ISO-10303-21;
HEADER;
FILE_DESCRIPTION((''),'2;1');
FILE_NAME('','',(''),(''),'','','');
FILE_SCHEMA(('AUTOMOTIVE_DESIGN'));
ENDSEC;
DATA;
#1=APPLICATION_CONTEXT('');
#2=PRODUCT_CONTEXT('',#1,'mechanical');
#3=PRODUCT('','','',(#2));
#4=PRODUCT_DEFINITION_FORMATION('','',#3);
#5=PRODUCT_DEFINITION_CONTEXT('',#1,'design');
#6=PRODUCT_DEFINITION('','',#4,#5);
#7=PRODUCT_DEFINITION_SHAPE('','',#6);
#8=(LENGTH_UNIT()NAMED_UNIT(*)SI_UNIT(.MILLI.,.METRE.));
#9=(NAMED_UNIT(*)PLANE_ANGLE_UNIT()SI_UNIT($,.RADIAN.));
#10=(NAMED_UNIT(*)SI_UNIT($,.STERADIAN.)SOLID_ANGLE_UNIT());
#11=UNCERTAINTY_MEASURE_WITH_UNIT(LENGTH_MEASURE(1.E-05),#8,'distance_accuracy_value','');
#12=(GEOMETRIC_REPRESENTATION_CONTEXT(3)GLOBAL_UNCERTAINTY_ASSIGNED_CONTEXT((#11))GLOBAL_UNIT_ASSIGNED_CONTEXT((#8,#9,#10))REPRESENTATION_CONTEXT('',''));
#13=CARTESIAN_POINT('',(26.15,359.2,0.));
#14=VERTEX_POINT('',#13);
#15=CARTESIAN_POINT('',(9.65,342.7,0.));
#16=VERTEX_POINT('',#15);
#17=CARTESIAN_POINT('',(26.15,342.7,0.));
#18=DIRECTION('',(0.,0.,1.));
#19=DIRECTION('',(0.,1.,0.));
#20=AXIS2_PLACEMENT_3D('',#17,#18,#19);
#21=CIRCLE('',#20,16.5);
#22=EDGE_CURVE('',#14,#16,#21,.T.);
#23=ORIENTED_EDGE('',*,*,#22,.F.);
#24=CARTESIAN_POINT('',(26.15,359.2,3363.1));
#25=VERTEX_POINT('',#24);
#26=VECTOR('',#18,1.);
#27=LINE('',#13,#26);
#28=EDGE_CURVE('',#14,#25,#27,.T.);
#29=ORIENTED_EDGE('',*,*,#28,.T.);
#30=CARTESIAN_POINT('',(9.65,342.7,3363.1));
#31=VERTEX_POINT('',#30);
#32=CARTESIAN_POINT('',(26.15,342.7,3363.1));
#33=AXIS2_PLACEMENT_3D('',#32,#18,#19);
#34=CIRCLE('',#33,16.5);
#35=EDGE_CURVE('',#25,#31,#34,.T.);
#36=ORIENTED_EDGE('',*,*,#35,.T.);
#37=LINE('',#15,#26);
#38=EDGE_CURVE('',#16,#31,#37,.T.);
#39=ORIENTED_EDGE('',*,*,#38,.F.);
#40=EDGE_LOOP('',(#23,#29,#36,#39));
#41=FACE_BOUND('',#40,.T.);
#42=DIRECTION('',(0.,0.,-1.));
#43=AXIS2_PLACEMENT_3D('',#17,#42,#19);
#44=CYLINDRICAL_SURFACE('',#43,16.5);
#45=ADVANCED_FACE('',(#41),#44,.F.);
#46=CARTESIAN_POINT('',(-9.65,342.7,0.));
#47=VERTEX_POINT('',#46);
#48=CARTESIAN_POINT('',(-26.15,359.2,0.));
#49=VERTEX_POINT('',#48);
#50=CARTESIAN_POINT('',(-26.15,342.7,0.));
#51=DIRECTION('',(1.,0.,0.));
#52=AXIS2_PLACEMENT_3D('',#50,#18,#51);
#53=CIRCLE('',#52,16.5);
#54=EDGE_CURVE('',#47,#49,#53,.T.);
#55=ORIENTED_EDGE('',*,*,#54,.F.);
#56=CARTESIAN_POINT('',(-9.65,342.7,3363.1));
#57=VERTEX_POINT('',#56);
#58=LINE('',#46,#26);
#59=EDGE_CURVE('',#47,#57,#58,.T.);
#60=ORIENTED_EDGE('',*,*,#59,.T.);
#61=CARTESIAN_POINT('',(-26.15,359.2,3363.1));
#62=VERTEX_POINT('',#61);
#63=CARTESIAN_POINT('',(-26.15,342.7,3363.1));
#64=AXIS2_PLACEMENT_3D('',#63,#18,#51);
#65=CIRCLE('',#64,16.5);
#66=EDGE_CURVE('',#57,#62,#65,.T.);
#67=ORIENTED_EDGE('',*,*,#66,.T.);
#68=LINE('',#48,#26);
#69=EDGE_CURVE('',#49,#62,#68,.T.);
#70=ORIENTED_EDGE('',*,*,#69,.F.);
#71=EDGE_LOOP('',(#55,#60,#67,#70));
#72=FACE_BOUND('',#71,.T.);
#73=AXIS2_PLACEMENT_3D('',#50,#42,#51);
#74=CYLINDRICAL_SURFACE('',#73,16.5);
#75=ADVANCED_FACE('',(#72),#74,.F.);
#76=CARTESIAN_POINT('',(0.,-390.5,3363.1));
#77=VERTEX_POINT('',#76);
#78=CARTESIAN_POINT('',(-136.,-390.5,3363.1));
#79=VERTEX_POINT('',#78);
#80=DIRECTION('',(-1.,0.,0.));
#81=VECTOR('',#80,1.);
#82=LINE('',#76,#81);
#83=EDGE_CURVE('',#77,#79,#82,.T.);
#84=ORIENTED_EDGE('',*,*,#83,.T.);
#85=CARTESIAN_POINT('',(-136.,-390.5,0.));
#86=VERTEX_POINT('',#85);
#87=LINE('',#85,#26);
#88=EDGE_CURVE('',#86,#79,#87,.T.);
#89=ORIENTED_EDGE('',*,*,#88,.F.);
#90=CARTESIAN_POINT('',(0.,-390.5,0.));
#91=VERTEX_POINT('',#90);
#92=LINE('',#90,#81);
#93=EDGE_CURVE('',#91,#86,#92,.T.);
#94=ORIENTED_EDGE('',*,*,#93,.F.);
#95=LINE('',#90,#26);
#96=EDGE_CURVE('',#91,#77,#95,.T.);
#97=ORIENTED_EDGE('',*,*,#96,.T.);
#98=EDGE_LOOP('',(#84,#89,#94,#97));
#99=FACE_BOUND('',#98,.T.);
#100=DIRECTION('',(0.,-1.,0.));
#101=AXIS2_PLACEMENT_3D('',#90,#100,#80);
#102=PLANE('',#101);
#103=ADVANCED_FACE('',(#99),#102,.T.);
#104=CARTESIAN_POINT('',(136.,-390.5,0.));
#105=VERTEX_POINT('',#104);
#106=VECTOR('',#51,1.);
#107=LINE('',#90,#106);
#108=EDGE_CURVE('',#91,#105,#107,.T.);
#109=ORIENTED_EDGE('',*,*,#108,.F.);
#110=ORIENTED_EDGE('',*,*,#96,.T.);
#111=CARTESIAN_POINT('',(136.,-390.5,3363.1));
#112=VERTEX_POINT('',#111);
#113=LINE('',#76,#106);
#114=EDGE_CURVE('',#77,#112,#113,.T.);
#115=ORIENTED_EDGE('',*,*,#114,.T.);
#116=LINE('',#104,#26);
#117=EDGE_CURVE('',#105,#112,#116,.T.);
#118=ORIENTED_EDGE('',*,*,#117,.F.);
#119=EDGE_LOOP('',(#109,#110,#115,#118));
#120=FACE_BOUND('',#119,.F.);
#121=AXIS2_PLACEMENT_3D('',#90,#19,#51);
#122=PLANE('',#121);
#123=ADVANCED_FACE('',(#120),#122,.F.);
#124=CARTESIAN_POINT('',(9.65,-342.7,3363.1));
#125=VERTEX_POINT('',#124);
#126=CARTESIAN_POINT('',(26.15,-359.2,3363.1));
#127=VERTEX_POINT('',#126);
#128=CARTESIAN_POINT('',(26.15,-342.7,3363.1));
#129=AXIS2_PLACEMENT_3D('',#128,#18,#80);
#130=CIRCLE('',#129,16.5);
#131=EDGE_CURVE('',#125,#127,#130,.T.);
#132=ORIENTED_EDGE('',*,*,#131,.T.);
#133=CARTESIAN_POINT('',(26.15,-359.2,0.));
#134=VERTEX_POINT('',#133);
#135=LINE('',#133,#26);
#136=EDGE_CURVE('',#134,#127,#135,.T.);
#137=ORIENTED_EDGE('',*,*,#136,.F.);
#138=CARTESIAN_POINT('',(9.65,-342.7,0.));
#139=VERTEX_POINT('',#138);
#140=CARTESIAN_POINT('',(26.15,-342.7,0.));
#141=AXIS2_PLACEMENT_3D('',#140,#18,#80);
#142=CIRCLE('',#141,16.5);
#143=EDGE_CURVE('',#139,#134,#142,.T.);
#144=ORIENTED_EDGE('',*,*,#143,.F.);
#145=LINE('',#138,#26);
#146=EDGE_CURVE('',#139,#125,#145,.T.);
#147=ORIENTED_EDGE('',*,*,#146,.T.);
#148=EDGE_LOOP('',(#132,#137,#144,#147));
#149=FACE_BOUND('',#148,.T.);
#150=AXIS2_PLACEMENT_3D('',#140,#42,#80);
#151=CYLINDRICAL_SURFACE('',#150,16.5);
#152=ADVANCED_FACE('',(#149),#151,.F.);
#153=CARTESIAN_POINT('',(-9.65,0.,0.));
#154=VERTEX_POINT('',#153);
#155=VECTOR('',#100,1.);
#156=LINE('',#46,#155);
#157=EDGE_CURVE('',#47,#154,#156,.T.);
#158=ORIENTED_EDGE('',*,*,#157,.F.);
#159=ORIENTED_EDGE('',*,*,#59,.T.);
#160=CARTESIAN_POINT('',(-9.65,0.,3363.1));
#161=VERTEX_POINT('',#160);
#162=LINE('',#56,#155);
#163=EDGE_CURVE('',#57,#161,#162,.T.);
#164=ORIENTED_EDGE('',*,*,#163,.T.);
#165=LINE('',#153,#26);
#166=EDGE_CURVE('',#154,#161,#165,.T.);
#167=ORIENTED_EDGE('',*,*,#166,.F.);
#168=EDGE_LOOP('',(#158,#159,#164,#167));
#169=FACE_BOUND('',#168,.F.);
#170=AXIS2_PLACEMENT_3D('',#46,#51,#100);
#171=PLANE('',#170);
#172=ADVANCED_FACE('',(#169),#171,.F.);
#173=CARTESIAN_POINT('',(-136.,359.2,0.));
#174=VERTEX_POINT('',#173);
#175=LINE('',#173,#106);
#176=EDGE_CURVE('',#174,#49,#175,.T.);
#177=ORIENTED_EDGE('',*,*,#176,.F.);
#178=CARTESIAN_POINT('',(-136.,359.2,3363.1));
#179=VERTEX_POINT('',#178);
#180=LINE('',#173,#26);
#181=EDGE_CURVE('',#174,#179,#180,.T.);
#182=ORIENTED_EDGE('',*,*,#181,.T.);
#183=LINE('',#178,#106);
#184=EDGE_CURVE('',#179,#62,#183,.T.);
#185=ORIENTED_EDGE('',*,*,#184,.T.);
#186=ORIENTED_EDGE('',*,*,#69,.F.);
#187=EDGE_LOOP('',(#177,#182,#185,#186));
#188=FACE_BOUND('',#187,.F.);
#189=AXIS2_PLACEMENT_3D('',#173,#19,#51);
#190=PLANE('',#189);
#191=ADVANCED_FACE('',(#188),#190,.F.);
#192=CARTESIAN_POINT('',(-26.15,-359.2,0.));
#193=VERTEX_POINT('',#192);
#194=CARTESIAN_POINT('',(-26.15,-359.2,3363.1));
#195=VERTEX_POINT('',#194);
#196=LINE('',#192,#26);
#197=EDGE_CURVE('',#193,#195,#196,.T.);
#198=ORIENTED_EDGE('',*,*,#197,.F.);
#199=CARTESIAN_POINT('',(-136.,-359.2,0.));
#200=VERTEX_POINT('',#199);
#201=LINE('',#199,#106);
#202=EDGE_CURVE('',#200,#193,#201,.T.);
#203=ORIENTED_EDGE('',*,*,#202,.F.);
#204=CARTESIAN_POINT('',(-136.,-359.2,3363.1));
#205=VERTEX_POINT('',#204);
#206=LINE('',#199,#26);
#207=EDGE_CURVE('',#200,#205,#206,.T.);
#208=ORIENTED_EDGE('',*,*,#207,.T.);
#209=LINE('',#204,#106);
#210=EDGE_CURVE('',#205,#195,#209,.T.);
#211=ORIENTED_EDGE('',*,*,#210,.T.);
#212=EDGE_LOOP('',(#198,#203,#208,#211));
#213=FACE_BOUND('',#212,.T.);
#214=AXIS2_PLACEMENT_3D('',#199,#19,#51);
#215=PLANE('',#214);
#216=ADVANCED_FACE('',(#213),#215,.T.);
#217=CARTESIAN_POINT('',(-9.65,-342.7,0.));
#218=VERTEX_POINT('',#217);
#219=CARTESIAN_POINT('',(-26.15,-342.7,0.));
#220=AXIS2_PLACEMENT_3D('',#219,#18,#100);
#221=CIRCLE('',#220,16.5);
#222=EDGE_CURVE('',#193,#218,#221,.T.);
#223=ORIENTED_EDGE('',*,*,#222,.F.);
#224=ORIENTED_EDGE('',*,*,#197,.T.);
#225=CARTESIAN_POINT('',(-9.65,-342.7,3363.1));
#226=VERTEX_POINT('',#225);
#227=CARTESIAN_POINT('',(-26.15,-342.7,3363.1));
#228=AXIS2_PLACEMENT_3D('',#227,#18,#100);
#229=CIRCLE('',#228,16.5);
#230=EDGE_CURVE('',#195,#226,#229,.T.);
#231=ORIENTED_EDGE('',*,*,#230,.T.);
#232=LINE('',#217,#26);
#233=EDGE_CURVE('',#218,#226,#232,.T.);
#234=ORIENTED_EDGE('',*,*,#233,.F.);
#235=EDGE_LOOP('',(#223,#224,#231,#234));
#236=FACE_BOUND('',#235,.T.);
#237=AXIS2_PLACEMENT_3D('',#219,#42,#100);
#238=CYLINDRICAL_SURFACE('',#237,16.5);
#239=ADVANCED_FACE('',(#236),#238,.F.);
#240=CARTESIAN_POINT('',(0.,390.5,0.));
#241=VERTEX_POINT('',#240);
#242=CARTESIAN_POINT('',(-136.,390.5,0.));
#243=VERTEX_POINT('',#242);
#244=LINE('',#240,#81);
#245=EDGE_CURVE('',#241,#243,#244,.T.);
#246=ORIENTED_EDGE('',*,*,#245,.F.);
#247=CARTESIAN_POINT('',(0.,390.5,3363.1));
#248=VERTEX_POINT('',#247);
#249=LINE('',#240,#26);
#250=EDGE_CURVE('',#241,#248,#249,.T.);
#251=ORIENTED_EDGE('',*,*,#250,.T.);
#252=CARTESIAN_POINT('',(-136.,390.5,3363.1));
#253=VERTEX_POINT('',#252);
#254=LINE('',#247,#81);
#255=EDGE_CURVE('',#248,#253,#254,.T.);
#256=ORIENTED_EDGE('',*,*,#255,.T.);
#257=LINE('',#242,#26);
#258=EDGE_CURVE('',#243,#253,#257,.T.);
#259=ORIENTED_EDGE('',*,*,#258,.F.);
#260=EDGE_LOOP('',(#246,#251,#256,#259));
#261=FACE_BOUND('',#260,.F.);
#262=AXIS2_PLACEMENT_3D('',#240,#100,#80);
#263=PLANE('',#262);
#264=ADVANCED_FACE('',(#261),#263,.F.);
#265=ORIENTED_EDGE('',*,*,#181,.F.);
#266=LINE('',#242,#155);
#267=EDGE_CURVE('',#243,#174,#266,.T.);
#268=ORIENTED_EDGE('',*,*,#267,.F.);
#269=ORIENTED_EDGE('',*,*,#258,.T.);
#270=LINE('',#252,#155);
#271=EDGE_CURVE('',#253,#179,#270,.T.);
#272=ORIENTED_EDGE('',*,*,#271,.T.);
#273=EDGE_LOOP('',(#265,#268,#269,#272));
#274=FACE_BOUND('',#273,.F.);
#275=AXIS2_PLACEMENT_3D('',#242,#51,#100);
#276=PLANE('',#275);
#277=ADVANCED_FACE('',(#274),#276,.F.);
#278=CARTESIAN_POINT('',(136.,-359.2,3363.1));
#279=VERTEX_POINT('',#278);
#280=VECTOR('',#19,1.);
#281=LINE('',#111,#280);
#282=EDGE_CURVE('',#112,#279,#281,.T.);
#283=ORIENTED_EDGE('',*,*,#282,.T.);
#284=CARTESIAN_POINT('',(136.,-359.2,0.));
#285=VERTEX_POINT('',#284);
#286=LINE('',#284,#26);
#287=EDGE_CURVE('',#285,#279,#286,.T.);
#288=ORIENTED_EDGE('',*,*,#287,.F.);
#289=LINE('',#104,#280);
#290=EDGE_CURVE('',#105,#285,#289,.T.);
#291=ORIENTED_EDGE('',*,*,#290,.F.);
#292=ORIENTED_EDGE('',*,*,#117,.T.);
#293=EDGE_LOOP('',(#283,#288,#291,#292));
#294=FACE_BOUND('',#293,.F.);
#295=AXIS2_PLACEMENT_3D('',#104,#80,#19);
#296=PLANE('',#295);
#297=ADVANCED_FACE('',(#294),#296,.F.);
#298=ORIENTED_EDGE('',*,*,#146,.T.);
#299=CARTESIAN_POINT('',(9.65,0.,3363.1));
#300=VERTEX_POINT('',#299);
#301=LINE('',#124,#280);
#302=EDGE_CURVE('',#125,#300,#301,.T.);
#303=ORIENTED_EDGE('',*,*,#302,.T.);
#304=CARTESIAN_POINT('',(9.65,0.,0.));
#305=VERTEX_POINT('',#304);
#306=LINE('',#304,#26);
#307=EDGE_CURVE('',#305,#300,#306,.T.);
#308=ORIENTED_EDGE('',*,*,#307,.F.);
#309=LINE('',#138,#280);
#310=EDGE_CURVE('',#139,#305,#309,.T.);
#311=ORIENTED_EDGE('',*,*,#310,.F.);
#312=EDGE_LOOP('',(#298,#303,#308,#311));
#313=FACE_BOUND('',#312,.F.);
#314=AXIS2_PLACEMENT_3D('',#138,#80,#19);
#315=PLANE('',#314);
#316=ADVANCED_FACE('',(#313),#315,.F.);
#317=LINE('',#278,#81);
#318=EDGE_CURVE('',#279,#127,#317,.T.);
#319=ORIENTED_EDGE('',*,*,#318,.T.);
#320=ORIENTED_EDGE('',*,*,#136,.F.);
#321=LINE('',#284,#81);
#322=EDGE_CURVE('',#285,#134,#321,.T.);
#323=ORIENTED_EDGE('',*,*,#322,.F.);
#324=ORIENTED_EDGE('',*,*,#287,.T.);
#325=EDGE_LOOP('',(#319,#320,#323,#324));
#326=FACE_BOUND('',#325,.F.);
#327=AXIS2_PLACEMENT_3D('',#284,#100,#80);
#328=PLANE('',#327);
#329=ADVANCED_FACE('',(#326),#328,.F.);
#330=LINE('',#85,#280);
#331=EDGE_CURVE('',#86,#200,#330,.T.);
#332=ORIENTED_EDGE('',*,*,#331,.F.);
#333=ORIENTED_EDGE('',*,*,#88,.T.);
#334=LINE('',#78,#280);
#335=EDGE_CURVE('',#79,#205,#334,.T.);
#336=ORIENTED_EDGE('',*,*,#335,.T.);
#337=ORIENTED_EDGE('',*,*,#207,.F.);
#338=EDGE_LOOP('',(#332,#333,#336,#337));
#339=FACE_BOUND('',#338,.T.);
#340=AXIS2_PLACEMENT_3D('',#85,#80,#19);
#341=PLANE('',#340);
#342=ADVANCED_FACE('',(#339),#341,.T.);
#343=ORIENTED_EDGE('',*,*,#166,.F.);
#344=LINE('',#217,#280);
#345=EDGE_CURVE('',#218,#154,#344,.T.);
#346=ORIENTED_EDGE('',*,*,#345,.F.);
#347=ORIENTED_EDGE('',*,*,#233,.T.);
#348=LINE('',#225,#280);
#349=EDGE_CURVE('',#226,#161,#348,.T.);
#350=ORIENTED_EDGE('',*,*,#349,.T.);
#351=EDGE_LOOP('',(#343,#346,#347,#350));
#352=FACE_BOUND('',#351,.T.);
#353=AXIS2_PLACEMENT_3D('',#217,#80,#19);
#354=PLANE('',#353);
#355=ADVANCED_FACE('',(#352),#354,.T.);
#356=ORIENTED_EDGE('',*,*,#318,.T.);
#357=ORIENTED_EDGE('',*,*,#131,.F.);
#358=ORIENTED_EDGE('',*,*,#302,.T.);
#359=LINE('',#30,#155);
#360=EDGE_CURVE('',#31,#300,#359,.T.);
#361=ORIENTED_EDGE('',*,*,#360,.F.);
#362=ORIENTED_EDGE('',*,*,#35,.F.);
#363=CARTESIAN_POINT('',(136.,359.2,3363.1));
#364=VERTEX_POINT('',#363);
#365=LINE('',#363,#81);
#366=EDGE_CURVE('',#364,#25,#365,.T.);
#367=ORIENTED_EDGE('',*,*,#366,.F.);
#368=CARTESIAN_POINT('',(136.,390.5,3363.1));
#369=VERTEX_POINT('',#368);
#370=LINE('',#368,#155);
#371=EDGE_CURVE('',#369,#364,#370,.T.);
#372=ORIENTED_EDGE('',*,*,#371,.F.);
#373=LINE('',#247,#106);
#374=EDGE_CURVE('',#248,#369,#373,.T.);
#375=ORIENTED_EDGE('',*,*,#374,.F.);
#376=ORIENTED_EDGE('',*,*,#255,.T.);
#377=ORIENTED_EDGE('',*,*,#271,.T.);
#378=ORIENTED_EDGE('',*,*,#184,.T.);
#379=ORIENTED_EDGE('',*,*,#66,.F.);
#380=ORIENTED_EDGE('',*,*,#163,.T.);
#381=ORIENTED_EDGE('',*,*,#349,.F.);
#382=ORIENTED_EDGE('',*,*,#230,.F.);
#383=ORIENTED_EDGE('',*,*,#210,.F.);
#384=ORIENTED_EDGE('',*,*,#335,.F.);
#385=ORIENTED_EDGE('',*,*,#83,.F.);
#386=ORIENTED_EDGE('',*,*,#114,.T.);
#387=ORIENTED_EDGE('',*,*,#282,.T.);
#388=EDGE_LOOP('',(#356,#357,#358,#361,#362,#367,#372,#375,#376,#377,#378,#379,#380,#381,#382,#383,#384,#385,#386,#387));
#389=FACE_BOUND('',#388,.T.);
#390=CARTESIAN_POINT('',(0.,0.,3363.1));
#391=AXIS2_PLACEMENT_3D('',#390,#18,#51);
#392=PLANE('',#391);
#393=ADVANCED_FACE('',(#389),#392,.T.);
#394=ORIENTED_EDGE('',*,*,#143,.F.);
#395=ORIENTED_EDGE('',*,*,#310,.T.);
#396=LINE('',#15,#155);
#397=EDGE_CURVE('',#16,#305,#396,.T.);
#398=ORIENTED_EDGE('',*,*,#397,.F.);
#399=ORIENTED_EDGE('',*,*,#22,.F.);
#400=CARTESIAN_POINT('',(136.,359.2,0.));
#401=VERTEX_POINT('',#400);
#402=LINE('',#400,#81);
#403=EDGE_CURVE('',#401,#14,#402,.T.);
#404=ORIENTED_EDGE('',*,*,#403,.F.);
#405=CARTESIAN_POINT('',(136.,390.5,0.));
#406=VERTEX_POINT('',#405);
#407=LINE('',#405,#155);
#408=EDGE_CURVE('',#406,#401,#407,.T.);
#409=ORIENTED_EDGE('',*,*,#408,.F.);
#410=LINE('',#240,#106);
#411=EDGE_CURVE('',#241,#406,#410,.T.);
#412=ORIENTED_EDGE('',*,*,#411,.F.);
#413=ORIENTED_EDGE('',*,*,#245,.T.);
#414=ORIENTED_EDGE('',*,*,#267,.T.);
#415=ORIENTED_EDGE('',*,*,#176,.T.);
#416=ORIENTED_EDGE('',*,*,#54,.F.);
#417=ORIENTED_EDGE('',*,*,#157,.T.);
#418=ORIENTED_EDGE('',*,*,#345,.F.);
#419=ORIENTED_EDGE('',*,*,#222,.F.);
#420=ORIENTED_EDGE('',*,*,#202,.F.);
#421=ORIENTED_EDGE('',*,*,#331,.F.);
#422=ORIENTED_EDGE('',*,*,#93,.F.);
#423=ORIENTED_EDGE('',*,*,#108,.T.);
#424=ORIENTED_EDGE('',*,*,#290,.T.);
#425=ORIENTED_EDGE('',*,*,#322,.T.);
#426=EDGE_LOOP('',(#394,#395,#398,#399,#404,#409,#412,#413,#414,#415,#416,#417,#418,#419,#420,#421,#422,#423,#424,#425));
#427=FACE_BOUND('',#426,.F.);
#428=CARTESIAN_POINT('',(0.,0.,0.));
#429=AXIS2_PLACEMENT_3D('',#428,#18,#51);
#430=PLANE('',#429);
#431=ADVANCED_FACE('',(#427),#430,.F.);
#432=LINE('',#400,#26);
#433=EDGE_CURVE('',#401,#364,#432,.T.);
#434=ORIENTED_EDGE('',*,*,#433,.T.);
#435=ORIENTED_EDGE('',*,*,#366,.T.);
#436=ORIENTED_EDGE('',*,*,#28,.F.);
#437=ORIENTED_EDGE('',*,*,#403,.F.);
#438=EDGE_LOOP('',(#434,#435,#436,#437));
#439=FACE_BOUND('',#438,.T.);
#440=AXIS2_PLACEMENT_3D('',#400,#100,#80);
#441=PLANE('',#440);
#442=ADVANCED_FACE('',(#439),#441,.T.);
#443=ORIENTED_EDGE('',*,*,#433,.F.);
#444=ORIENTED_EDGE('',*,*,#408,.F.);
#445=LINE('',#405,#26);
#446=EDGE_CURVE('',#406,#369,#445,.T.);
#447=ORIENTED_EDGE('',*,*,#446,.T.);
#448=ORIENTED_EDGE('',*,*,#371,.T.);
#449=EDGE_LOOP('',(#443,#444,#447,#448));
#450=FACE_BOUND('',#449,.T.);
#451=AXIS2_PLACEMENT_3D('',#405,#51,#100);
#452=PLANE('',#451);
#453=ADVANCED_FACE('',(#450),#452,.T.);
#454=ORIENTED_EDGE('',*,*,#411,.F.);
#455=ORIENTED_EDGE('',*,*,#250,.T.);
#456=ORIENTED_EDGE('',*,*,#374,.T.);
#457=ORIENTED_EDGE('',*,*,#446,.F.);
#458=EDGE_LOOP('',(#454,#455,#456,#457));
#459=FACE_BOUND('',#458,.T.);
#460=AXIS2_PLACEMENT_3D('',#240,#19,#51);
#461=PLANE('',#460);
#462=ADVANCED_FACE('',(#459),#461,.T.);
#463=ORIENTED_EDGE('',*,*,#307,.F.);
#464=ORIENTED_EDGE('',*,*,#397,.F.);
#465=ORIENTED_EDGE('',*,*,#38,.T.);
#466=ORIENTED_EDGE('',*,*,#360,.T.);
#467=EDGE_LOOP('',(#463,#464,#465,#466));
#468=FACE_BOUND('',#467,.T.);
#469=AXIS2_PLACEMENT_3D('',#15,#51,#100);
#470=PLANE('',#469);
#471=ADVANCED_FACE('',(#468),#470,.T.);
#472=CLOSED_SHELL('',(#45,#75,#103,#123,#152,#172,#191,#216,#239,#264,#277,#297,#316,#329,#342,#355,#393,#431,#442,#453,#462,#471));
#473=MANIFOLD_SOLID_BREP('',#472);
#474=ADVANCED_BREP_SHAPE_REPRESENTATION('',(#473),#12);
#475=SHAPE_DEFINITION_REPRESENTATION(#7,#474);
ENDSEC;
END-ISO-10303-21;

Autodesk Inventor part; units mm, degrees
ref_plane "YZ Plane" through (0, 0, 0) normal (1, 0, 0) x (0, 1, 0)
ref_plane "Start plane" through (0, 0, 0) normal (0, 0, 1) x (1, 0, 0)
ref_plane "End plane" through (0, 0, 3363.1) normal (0, 0, 1) x (1, 0, 0)
sketch "Sketch" plane through (0, 0, 0) normal (0, 0, 1) x (1, 0, 0)
  line L0 (-136, -390.5) -> (-136, -359.2)
  line L1 (-136, -359.2) -> (-26.15, -359.2)
  line L2 (-9.65, -342.7) -> (-9.65, 0)
  line L3 (-9.65, 0) -> (0, 0) construction
  line L4 (0, 0) -> (0, -390.5) construction
  line L5 (0, -390.5) -> (-136, -390.5)
  line L6 (-60, 0) -> (80, 0) construction
  line L7 (0, -60) -> (0, 80) construction
  line L8 (136, -390.5) -> (136, -359.2)
  line L9 (136, -359.2) -> (26.15, -359.2)
  line L10 (9.65, -342.7) -> (9.65, 0)
  line L11 (9.65, 0) -> (0, 0) construction
  line L12 (0, -390.5) -> (136, -390.5)
  line L13 (-136, 390.5) -> (-136, 359.2)
  line L14 (-136, 359.2) -> (-26.15, 359.2)
  line L15 (-9.65, 342.7) -> (-9.65, 0)
  line L16 (0, 390.5) -> (-136, 390.5)
  line L17 (136, 390.5) -> (136, 359.2)
  line L18 (136, 359.2) -> (26.15, 359.2)
  line L19 (0, 390.5) -> (136, 390.5)
  line L20 (9.65, 342.7) -> (9.65, 0)
  arc A0 (-9.65, 342.7) -> (-26.15, 359.2) centre (-26.15, 342.7) ccw
  arc A1 (26.15, 359.2) -> (9.65, 342.7) centre (26.15, 342.7) ccw
  arc A2 (9.65, -342.7) -> (26.15, -359.2) centre (26.15, -342.7) ccw
  arc A3 (-26.15, -359.2) -> (-9.65, -342.7) centre (-26.15, -342.7) ccw
  line L21 (0, 108) -> (0, -88) construction
  line L22 (-88, 0) -> (108, 0) construction
  point P0 (-9.65, -359.2)
  point P1 (9.65, -359.2)
  point P2 (-9.65, 359.2)
  point P3 (9.65, 359.2)
  dimension "d1" = 390.5
  dimension "d2" = 31.3
  dimension "d3" = 136
  dimension "d4" = 9.65
  dimension "d10" = 16.5
extrude "Body" add sketch "Sketch" along normal up to surface (3363.1 mm away) from surface at 0
sketch "Sketch4" plane through (0, 0, 0) normal (0, 0, 1) x (1, 0, 0)
  line L0 (0, 0) -> (10, 0)
ref_plane "Work Plane3" through (0, 0, 0) normal (0, -1, 0) x (1, 0, 0)
sketch "Sketch5" plane through (0, 0, 0) normal (0, -1, 0) x (1, 0, 0)
  line L0 (-2, 0) -> (12, 0) projected
  line L1 (-2, 3363.1) -> (12, 3363.1) projected
  dimension "d14" = 3363.1
equation "\"d1\" = 0.5 * G_H"
equation "\"d2\" = G_T1"
equation "\"d3\" = 0.5 * G_W"
equation "\"d4\" = 0.5 * G_T"
equation "\"d10\" = G_IR"
equation "\"d5\" = G_L"
equation "\"G_W\" = 272"
equation "\"G_H\" = 781"
equation "\"G_T\" = 19.3"
equation "\"G_T1\" = 31.3"
equation "\"G_IR\" = 16.5"
equation "\"G_L\" = d14"
equation "\"G_OFFSET_START\" = 0"
equation "\"G_OFFSET_END\" = 0"
equation "\"d12\" = G_OFFSET_END + B_L"
equation "\"B_L\" = 3363.1"
properties part number "AS 3679-1990 - 760 UB - 244 - 3363.1" material "Steel, Mild"
